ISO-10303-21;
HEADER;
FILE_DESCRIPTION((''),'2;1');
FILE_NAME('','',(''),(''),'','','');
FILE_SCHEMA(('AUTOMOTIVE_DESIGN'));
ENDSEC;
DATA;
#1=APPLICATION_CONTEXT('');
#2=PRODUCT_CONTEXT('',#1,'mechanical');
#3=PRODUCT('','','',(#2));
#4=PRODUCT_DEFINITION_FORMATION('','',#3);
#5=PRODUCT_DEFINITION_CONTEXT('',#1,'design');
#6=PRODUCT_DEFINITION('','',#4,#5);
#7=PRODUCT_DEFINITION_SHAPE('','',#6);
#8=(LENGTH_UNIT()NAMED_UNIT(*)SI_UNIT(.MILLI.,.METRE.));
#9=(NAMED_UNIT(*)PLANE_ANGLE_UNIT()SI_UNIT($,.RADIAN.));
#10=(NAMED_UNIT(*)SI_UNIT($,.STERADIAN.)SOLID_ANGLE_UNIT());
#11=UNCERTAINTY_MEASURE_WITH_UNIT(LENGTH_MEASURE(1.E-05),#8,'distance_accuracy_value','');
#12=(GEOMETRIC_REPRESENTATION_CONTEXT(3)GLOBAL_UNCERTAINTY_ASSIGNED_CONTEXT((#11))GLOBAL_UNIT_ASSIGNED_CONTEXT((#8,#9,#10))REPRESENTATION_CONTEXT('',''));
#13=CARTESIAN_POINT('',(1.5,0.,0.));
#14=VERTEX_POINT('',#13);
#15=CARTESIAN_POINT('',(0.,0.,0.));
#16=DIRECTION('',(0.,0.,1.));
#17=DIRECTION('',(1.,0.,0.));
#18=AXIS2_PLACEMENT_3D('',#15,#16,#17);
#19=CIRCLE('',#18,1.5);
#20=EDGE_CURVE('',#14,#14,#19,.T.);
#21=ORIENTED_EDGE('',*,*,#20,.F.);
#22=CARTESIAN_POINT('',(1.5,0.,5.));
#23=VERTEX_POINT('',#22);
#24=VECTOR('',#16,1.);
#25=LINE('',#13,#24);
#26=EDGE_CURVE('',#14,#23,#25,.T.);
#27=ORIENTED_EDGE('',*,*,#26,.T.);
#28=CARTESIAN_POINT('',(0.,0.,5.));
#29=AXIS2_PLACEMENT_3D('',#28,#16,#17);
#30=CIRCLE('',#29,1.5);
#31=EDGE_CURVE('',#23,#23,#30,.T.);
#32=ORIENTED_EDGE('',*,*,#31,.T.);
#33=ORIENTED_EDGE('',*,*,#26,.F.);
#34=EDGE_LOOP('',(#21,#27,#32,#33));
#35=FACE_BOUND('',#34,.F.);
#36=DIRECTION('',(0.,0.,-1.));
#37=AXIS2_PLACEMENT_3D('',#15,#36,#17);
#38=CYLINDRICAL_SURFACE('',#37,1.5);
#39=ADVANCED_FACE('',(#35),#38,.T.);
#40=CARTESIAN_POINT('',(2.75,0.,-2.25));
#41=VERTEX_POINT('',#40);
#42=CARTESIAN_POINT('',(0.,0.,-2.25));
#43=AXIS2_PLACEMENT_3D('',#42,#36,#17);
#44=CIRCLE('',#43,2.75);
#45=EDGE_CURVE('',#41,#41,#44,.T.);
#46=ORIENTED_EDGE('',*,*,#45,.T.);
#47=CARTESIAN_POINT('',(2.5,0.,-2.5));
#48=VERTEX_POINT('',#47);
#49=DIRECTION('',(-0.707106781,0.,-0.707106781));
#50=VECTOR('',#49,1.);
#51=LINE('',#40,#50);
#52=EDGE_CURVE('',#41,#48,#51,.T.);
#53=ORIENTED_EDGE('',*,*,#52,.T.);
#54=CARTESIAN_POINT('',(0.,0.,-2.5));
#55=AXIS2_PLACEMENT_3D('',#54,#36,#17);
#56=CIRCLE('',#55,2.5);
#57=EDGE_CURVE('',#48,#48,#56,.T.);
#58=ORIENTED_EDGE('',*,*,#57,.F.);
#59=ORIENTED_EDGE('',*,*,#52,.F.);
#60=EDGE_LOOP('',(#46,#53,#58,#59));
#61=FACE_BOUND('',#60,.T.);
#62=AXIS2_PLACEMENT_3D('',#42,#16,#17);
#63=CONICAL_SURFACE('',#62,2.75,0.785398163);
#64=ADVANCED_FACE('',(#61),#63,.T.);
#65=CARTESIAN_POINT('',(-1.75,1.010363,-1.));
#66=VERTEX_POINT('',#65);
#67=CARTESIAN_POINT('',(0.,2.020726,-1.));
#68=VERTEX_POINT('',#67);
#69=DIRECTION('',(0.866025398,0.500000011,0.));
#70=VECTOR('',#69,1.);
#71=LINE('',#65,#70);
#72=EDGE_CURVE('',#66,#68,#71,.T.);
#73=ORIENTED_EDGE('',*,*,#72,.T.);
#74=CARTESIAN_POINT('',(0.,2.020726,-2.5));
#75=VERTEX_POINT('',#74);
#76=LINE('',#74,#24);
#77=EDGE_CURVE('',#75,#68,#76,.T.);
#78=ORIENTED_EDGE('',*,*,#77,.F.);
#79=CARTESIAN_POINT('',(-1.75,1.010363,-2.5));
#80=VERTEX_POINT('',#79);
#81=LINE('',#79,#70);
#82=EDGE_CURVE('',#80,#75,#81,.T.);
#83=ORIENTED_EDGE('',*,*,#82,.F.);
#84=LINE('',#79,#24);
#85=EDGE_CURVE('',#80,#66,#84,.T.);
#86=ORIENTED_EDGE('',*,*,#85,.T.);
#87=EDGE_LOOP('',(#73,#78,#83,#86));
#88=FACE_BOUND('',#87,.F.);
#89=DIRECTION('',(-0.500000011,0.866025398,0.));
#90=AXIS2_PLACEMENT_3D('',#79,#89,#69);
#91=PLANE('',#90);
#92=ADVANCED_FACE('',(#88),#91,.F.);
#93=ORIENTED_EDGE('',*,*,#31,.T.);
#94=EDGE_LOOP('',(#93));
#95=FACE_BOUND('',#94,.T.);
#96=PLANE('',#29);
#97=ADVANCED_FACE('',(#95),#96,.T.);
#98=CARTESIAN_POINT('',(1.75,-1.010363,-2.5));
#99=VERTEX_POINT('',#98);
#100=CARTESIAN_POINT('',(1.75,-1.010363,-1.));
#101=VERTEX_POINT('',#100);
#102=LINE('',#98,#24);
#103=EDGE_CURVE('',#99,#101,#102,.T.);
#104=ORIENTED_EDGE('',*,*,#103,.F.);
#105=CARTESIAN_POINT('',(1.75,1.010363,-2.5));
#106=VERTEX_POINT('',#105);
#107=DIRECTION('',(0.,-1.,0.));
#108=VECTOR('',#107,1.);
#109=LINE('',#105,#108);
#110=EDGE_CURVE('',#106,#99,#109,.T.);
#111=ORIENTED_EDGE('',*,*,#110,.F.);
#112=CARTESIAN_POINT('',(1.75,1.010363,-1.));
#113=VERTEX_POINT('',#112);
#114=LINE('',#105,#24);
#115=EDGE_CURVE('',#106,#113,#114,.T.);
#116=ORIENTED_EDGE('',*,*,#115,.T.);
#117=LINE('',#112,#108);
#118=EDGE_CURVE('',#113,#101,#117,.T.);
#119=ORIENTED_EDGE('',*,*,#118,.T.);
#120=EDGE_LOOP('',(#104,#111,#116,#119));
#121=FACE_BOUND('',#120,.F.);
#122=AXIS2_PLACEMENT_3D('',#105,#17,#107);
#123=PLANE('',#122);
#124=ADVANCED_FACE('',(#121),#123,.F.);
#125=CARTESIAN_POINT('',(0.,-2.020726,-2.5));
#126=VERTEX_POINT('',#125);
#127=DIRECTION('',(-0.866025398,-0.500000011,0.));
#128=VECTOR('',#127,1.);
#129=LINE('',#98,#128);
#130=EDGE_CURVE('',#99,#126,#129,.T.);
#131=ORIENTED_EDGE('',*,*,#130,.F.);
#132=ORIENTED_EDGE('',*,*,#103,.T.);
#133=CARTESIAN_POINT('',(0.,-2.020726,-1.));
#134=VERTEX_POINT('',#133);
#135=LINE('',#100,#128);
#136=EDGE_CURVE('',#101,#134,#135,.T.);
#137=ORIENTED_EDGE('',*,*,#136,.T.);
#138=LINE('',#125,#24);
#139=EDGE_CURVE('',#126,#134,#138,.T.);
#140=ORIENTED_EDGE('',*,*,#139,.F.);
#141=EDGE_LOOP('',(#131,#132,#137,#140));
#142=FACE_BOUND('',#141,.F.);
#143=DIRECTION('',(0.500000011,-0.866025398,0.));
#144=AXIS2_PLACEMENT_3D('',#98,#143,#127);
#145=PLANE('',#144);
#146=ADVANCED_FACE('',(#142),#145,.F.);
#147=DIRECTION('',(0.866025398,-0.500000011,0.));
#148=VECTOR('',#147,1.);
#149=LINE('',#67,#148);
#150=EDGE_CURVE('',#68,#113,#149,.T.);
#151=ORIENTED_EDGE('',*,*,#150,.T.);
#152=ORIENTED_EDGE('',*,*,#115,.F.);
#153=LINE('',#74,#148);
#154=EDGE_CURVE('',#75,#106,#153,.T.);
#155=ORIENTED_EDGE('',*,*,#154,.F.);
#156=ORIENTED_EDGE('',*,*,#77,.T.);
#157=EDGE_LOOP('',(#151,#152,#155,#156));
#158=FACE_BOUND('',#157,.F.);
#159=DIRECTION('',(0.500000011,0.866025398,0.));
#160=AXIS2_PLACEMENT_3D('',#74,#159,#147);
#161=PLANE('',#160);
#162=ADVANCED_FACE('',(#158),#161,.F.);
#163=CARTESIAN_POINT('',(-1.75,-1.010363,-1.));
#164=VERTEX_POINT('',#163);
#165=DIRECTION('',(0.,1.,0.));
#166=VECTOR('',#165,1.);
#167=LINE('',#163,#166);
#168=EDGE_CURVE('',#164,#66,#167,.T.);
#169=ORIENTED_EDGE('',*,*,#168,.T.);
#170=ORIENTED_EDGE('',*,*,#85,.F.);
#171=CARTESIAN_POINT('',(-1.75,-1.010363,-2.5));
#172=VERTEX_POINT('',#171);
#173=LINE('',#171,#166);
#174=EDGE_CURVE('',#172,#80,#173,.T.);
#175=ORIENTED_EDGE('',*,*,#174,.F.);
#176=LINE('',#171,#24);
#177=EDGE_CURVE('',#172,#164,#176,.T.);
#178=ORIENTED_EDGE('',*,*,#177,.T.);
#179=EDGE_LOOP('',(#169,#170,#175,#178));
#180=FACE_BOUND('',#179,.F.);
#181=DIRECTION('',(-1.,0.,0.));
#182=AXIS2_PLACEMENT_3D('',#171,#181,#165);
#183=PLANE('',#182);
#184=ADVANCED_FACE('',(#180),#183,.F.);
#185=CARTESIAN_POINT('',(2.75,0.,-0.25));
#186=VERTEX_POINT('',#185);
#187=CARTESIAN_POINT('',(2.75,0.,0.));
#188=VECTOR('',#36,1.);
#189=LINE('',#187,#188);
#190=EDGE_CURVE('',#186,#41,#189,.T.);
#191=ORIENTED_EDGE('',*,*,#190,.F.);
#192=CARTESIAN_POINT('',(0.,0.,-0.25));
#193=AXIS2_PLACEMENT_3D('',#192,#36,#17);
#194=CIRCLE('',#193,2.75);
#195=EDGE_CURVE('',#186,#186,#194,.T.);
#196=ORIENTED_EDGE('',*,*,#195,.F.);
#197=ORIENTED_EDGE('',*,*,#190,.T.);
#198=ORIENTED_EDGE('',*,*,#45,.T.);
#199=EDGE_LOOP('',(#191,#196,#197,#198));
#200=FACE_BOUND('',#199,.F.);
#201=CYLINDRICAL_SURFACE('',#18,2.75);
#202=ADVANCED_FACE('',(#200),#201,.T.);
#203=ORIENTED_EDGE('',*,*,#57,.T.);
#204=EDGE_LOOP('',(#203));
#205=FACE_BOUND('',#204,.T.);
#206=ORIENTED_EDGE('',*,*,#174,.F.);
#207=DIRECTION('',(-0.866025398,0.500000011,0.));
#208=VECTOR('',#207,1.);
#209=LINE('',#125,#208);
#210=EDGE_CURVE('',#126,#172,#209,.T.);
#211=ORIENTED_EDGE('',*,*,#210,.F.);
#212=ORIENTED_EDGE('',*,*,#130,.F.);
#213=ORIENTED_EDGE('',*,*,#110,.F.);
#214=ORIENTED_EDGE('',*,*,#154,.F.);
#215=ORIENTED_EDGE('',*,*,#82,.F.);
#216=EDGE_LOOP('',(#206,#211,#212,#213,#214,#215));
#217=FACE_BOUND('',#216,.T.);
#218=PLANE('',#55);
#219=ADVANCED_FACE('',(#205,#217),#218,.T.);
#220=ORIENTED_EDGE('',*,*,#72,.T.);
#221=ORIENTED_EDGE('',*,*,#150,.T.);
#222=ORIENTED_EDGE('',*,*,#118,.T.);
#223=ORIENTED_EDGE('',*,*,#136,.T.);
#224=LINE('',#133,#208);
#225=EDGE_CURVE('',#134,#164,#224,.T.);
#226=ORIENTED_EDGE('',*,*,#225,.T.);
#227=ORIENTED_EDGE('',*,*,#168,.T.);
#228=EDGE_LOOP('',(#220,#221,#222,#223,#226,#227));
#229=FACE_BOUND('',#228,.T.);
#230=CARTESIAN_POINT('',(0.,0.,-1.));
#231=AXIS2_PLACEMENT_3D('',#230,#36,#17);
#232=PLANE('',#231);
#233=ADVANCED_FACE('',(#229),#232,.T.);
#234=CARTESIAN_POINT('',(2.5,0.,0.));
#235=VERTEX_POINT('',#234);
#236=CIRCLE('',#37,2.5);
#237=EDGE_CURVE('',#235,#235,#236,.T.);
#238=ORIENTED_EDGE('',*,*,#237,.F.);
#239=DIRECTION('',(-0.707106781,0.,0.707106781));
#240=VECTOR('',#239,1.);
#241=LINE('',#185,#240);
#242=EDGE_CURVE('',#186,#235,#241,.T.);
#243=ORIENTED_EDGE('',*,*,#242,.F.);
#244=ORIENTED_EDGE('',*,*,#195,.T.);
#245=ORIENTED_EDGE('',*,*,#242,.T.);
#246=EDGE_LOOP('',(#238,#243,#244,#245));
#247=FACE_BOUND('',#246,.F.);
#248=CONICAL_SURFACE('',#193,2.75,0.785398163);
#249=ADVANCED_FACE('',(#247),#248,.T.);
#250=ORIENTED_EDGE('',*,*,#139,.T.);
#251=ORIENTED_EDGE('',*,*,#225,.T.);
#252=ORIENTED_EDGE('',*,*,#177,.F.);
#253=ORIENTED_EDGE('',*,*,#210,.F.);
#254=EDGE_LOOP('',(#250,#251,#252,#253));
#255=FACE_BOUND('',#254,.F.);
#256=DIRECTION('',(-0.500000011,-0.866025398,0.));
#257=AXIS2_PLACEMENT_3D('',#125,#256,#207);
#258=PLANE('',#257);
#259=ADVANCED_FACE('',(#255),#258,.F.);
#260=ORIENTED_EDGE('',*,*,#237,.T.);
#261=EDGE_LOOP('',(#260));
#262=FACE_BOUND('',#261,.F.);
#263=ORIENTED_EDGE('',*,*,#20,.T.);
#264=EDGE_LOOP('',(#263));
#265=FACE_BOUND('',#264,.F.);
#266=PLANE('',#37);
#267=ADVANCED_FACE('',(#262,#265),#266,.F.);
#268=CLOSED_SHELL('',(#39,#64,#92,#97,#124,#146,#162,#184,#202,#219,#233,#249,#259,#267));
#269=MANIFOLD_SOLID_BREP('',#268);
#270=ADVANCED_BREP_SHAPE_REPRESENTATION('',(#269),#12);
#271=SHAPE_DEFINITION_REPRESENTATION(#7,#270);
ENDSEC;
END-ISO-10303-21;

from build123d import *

# Parameters (mm, degrees)
F0_R     = 1.5
F1_DEPTH = 5
F2_R     = 2.75
F3_DEPTH = 2.5
F5_DEPTH = 1.5
F6_SIZE  = 0.25


with BuildPart() as f1:
    # F0 (on Top) → F1 (new body)
    with BuildSketch(Plane.XY):
        Circle(F0_R)
    extrude(amount=F1_DEPTH)

    # F2 (on face) → F3 (join)
    with BuildSketch(Plane(origin=(0, 0, 0), x_dir=(1, 0, 0), z_dir=(0, 0, -1))):
        Circle(F2_R)
    extrude(amount=F3_DEPTH)

    # F4 (on face) → F5 (cut)
    with BuildSketch(Plane(origin=(0, 0, -2.5), x_dir=(1, 0, 0), z_dir=(0, 0, -1))):
        Polygon((1.75, -1.010363), (1.75, 1.010363), (0, 2.020726), (-1.75, 1.010363), (-1.75, -1.010363), (0, -2.020726), align=None)
    extrude(amount=-F5_DEPTH, mode=Mode.SUBTRACT)

    # F6
    f6_edges = [f1.edges().sort_by_distance(p)[0] for p in [
        (-2.75, 0, 0),
        (-2.75, 0, -2.5),
    ]]
    chamfer(f6_edges, length=F6_SIZE)


solid = f1.part
